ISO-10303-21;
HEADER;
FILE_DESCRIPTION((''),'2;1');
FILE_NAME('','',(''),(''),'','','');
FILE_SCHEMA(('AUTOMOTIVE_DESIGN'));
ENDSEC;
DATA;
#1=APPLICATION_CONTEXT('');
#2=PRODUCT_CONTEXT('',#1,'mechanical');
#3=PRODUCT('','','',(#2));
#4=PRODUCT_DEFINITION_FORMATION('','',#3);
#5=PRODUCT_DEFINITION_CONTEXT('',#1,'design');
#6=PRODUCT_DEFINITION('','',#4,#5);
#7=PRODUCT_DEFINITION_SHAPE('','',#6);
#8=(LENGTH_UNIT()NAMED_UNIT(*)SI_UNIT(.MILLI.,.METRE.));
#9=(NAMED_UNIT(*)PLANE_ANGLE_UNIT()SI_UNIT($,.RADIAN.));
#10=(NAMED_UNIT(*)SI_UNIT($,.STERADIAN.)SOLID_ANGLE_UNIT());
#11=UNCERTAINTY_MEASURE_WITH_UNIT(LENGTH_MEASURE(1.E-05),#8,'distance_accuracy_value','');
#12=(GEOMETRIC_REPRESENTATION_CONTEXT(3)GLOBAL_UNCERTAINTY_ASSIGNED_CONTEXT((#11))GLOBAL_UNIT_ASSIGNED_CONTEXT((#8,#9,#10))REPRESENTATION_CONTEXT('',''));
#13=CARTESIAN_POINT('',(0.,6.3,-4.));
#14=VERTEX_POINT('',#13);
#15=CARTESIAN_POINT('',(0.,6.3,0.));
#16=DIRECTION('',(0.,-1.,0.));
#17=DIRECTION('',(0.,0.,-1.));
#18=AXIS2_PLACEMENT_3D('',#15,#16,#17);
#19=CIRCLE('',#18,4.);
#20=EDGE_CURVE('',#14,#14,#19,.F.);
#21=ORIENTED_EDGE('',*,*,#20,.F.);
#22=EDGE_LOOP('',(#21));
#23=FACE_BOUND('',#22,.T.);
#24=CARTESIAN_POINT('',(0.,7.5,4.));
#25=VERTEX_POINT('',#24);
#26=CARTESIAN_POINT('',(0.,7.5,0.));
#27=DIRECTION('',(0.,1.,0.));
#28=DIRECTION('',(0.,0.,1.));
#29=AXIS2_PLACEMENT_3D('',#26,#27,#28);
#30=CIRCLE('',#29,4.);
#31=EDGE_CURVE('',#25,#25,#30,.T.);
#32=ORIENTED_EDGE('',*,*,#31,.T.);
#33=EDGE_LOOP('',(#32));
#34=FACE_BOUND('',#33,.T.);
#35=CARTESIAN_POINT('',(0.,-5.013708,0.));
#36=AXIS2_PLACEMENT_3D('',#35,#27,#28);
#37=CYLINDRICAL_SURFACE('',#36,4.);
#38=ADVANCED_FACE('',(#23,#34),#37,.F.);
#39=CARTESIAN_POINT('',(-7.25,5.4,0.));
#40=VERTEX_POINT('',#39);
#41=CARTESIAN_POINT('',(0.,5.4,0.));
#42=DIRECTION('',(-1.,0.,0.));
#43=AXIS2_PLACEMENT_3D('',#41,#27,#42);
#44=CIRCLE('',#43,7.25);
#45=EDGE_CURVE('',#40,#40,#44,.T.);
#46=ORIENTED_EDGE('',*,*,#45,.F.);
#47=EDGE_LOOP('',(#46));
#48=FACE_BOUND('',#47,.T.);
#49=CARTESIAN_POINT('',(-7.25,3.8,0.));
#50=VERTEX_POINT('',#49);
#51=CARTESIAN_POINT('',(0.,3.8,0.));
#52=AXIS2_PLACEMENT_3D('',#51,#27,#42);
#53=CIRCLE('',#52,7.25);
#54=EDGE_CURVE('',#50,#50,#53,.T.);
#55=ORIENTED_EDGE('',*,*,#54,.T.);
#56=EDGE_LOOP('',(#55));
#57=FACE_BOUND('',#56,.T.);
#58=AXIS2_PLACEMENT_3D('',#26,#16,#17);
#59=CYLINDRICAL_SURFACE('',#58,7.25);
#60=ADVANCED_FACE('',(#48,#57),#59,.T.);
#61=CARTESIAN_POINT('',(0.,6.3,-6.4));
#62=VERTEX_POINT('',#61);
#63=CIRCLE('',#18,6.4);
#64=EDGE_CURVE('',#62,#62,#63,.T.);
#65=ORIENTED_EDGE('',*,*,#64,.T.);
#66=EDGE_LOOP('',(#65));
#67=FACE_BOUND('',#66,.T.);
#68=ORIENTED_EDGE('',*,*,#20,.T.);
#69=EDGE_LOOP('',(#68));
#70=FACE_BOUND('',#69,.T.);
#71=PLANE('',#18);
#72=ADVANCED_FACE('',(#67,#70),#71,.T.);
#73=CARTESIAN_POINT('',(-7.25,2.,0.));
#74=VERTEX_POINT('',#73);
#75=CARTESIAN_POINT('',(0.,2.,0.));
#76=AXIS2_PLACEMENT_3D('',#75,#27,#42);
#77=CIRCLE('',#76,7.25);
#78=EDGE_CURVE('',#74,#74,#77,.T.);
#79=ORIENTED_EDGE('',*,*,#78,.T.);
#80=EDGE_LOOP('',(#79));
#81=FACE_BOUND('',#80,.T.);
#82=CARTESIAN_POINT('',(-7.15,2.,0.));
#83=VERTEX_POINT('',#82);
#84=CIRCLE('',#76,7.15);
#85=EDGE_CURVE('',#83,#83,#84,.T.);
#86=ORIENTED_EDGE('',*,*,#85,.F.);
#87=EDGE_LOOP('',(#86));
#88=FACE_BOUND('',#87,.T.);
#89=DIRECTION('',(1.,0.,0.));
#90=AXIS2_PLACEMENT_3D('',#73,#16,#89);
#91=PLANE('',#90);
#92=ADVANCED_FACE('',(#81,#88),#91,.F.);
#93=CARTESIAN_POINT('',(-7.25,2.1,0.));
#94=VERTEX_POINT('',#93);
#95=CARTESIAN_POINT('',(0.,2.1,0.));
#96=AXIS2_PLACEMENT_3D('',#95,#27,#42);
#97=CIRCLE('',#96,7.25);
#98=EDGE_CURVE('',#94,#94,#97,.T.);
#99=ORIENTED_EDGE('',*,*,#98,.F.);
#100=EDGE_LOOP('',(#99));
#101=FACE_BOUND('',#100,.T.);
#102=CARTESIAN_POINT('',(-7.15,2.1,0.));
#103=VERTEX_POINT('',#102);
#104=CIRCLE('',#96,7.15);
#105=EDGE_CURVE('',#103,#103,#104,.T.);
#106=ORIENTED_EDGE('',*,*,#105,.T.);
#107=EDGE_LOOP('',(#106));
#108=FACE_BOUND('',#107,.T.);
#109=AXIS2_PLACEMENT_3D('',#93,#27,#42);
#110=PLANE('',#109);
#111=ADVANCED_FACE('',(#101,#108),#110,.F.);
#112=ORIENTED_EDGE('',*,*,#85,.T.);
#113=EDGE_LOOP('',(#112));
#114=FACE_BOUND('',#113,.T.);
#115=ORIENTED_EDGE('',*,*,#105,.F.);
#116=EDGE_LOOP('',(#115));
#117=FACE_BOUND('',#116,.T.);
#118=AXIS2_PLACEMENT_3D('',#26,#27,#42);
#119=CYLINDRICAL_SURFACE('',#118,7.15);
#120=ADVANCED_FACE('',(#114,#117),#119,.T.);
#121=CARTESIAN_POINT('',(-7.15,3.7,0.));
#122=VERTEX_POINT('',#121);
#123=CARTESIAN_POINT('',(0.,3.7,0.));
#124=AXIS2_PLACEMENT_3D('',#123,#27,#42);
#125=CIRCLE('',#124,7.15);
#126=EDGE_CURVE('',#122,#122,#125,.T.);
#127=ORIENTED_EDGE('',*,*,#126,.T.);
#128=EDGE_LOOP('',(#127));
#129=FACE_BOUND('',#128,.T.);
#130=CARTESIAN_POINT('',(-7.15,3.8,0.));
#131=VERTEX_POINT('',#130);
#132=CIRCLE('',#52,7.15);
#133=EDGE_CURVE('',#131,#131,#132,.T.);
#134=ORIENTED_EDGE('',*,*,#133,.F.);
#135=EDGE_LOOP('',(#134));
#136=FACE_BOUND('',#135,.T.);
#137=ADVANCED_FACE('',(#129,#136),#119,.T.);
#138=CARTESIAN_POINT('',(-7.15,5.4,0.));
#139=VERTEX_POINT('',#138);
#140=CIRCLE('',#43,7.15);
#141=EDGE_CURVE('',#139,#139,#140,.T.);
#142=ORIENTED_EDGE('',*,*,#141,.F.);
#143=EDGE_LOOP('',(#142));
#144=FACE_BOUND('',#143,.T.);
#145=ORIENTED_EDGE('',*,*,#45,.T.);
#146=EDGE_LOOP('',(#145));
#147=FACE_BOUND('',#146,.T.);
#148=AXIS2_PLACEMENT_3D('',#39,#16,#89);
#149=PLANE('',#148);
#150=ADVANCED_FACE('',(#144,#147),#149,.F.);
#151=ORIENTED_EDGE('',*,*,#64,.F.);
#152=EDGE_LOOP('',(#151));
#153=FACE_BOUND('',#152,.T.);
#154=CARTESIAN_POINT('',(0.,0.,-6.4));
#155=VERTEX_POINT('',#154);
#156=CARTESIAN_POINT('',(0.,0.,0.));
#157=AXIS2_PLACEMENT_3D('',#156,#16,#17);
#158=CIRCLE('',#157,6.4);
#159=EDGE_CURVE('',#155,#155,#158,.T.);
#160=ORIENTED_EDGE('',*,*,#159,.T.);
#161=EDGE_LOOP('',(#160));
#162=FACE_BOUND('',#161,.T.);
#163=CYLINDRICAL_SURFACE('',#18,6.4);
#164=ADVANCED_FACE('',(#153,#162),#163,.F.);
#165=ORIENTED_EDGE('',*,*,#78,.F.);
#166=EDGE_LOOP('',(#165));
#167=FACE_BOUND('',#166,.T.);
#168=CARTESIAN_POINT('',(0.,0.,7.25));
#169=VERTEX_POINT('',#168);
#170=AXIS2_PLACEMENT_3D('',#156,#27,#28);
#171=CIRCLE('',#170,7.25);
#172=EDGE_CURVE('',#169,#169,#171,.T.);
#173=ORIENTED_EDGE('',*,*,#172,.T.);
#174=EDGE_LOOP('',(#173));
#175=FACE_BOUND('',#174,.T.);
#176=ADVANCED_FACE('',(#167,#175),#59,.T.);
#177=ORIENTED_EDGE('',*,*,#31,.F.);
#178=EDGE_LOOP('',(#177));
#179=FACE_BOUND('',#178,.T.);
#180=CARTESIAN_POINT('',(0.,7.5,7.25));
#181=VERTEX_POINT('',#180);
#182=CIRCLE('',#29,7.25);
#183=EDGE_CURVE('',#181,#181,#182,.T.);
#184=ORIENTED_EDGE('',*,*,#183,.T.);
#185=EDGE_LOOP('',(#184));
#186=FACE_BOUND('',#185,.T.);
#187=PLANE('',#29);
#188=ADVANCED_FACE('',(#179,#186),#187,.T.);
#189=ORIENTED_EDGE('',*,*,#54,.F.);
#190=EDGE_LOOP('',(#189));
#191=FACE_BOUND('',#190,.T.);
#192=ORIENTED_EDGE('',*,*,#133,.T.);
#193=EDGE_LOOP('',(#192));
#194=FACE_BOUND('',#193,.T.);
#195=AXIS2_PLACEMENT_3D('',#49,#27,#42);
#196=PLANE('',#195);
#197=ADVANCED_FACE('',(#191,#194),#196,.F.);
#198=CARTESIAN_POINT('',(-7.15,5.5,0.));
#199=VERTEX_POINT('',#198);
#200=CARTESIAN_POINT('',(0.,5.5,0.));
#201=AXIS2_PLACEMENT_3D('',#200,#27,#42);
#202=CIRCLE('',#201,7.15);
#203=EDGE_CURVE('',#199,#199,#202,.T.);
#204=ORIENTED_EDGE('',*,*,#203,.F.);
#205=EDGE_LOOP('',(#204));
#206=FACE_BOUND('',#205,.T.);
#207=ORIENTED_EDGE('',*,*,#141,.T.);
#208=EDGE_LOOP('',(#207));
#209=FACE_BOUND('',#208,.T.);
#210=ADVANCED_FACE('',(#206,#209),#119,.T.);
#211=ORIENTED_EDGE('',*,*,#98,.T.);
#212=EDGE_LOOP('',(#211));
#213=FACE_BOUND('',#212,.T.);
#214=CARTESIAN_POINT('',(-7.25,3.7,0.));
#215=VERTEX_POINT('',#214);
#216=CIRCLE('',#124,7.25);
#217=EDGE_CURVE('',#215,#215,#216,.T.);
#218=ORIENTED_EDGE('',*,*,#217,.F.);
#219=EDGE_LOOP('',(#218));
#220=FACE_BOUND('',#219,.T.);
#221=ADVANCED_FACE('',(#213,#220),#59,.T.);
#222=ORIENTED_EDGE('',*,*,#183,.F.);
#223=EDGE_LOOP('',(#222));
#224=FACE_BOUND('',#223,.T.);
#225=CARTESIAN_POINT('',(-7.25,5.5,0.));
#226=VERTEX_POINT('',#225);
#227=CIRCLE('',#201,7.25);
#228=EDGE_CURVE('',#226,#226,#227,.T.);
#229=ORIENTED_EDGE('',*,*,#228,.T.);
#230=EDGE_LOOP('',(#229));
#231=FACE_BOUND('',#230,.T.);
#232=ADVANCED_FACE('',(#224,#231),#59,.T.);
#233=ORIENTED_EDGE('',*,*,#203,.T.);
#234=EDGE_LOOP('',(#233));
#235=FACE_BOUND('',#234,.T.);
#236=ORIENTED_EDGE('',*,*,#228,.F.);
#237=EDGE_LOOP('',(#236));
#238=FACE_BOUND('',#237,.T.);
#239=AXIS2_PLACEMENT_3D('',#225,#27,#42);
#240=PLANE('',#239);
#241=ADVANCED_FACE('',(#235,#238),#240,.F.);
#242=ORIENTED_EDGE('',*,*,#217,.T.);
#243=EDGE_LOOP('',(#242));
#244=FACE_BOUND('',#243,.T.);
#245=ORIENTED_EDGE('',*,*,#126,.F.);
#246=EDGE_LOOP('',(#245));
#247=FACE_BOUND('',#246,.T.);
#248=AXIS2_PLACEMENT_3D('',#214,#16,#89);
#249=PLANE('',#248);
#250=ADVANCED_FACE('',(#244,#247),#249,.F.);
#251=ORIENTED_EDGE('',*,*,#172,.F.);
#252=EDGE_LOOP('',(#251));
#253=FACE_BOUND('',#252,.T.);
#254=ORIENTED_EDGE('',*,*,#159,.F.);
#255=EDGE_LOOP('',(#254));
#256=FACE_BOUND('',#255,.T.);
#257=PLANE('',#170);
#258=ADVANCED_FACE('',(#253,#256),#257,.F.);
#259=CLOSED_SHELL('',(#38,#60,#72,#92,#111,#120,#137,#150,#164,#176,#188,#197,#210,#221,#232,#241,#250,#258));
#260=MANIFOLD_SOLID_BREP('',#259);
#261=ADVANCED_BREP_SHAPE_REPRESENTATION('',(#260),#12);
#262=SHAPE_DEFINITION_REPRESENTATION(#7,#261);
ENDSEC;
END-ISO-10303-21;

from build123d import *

# Parameters (mm, degrees)
SKETCH_1_R          = 7.25
EXTRUDE_1_DEPTH     = 7.5
SKETCH_2_R          = 6.4
CUT_EXTRUDE_1_DEPTH = 6.3
SKETCH_4_R          = 4
CUT_EXTRUDE_2_DEPTH = 1.2
SKETCH_3_W          = 0.1
SKETCH_3_H          = 0.1


with BuildPart() as part:
    # ｽｹｯﾁ1 → ﾎﾞｽ - 押し出し1 (new body)
    with BuildSketch(Plane(origin=(0, 0, 0), x_dir=(1, 0, 0), z_dir=(0, 1, 0))):
        with Locations(Location((0, 0, 0), (0, 0, 270))):
            Circle(SKETCH_1_R)
    extrude(amount=EXTRUDE_1_DEPTH)

    # ｽｹｯﾁ2 → ｶｯﾄ - 押し出し1 (cut)
    with BuildSketch(Plane.XZ):
        with Locations(Location((0, 0, 0), (0, 0, 270))):
            Circle(SKETCH_2_R)
    extrude(amount=-CUT_EXTRUDE_1_DEPTH, mode=Mode.SUBTRACT)

    # ｽｹｯﾁ4 → ｶｯﾄ - 押し出し2 (cut)
    with BuildSketch(Plane(origin=(0, 7.5, 0), x_dir=(1, 0, 0), z_dir=(0, 1, 0))):
        with Locations(Location((0, 0, 0), (0, 0, 270))):
            Circle(SKETCH_4_R)
    extrude(amount=-CUT_EXTRUDE_2_DEPTH, mode=Mode.SUBTRACT)

    # ｽｹｯﾁ3 → ｶｯﾄ - 回転1 (revolve, cut)
    with BuildSketch(Plane.XY):
        with Locations((-7.2, 5.45)):
            Rectangle(SKETCH_3_W, SKETCH_3_H)
        with Locations((-7.2, 3.75)):
            Rectangle(SKETCH_3_W, SKETCH_3_H)
        with Locations((-7.2, 2.05)):
            Rectangle(SKETCH_3_W, SKETCH_3_H)
    revolve(axis=Axis((0, 7.5, 0), (0, -1, 0)), mode=Mode.SUBTRACT)


solid = part.part
